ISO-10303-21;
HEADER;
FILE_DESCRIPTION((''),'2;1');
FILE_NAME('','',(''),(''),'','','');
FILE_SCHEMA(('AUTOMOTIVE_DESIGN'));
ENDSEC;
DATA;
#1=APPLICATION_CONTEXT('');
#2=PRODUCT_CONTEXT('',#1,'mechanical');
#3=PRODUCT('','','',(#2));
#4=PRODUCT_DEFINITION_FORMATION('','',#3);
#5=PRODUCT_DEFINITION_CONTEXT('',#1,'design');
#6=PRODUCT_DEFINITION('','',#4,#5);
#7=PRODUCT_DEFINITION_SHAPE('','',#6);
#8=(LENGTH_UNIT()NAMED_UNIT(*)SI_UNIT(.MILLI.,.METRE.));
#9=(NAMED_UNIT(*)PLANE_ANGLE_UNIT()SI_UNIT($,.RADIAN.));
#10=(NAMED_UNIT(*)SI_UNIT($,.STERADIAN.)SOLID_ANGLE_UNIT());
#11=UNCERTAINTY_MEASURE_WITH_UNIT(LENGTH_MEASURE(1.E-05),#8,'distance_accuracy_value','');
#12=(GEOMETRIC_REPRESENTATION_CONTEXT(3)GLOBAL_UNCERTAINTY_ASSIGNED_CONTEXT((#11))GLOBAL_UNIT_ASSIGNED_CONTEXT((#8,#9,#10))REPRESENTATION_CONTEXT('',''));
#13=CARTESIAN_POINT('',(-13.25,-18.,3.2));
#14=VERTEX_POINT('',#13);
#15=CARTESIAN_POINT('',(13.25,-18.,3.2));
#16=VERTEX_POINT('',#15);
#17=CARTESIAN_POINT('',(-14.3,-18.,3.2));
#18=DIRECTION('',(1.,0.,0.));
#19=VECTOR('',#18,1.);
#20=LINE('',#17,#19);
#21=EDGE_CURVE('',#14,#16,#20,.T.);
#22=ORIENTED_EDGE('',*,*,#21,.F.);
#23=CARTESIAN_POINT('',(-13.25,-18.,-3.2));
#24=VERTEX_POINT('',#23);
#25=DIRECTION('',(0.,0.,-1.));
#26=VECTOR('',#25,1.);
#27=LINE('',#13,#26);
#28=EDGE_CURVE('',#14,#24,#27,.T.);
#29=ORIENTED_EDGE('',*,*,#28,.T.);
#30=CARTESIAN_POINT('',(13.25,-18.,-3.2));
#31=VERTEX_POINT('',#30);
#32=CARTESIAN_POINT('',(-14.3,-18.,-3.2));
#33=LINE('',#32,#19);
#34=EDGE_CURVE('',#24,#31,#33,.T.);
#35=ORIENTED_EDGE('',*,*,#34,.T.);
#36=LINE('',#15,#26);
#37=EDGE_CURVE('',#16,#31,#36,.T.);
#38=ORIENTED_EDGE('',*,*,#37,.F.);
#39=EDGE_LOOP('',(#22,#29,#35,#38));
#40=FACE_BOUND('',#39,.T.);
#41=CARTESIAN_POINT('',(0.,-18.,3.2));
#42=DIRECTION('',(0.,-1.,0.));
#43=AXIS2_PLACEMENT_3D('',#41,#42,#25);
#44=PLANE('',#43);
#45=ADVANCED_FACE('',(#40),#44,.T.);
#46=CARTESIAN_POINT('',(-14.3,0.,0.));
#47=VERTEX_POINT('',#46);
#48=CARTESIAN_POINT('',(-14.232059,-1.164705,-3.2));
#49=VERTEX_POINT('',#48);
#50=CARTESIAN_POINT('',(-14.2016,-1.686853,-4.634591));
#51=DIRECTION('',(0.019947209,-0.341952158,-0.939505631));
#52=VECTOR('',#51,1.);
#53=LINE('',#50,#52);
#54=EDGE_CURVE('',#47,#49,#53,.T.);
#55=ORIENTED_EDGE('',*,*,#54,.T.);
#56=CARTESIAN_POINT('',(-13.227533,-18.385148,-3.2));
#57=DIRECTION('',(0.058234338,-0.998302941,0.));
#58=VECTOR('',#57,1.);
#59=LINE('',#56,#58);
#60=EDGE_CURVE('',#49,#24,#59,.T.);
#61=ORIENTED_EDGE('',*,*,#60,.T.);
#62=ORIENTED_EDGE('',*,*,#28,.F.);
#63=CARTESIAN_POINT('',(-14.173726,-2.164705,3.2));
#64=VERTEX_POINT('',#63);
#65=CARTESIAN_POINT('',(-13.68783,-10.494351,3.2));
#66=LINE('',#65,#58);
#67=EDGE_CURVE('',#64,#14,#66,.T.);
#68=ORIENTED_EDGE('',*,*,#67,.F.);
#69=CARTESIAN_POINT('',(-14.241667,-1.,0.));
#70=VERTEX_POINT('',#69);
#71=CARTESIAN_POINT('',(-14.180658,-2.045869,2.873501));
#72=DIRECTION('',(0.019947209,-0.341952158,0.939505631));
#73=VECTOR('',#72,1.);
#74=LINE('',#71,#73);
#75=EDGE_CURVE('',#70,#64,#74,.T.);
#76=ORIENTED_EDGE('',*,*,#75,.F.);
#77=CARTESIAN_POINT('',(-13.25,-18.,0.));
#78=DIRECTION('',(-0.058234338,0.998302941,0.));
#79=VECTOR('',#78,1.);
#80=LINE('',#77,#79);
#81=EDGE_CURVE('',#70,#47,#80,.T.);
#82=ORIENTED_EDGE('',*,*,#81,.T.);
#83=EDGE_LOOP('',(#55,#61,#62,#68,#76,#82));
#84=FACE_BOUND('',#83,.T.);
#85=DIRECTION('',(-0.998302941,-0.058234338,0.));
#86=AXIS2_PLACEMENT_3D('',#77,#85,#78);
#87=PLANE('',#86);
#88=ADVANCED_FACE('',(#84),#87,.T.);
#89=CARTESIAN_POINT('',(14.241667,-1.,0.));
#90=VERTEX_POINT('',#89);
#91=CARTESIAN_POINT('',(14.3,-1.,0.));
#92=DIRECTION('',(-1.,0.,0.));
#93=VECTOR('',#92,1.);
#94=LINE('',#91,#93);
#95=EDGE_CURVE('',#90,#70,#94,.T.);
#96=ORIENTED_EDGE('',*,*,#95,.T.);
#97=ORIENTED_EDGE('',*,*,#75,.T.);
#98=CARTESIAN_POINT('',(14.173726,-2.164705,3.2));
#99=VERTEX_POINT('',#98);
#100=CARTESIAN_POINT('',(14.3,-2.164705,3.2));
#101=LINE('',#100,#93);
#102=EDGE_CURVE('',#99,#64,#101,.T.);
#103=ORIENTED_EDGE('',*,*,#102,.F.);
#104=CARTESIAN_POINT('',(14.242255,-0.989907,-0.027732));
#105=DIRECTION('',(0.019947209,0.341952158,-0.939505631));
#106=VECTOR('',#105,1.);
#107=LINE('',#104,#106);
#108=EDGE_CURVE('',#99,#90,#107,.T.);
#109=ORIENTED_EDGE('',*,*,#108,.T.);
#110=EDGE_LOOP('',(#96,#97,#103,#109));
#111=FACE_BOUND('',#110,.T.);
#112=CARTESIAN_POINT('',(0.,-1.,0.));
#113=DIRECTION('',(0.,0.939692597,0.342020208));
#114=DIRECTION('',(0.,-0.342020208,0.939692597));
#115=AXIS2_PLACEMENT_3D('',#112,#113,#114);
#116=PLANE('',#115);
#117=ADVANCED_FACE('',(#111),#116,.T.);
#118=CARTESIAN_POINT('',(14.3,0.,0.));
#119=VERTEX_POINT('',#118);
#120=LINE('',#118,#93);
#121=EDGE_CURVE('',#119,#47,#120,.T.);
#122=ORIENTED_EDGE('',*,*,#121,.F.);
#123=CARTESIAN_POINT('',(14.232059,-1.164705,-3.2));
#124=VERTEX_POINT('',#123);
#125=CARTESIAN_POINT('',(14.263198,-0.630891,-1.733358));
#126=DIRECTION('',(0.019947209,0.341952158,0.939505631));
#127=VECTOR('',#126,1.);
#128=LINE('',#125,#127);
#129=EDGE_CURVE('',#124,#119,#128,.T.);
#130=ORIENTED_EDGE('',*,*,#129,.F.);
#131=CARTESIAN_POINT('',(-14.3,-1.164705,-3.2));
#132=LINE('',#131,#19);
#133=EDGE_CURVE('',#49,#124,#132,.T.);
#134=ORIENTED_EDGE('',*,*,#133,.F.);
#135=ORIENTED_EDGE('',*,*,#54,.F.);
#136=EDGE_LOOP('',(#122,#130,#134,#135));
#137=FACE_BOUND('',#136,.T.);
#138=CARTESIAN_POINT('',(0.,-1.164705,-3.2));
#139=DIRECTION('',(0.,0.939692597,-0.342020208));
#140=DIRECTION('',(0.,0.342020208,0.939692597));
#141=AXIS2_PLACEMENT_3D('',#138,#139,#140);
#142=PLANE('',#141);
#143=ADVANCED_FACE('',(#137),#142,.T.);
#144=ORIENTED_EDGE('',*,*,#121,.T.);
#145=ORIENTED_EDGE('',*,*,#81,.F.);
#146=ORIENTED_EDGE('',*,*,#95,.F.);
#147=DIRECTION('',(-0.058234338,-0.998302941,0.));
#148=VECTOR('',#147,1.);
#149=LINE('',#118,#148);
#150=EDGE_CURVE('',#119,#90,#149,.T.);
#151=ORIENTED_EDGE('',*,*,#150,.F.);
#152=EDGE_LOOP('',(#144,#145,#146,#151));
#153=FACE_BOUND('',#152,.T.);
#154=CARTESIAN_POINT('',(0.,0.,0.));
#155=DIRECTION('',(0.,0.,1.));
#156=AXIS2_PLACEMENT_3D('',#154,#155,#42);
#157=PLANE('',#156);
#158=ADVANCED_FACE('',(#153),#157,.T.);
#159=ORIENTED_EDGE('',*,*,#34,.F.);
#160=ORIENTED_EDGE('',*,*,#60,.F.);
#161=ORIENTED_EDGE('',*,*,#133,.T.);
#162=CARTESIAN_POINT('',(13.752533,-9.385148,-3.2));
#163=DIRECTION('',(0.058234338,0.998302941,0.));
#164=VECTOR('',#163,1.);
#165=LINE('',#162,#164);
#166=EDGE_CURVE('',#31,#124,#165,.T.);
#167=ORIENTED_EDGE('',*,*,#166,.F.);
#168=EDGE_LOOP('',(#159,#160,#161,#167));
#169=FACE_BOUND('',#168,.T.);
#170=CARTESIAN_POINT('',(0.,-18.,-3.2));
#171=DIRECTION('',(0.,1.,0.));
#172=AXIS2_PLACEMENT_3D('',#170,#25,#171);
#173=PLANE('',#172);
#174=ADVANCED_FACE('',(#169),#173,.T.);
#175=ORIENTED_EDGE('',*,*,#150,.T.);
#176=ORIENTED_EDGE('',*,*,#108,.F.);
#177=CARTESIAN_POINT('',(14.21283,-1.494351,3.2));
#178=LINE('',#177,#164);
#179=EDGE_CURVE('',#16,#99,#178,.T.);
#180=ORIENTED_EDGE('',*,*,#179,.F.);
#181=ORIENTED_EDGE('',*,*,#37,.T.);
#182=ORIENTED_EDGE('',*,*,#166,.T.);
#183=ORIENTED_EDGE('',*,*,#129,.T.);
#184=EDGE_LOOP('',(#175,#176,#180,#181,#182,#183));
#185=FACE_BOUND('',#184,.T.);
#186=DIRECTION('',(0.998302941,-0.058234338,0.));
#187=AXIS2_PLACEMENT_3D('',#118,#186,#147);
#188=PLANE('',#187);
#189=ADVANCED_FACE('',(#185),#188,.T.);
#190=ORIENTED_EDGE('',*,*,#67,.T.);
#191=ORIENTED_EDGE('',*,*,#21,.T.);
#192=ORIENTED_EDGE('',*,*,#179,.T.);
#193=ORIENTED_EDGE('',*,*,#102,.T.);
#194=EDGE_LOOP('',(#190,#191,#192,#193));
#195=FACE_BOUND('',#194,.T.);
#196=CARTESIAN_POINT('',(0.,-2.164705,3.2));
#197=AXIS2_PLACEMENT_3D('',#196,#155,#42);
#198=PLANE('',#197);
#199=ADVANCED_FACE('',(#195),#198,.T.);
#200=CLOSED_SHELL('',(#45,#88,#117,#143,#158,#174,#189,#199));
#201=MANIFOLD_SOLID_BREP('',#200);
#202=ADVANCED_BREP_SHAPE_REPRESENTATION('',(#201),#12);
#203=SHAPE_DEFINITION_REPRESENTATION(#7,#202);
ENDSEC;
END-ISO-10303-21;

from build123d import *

# Parameters (mm, degrees)
F1_DEPTH      = 14.3
F1_DEPTH_BACK = 14.3
F3_DEPTH      = 25
F3_DEPTH_BACK = 25


with BuildPart() as f1:
    # F0 (on Right) → F1 (new body, two sides)
    with BuildSketch(Plane.YZ) as f1_sk:
        Polygon((-2.164705, 3.2), (-18, 3.2), (-18, -3.2), (-1.164705, -3.2), (0, 0), (-1, 0), align=None)
    extrude(amount=F1_DEPTH)
    extrude(f1_sk.sketch, amount=-F1_DEPTH_BACK)

    # F2 (on Top) → F3 (cut, two sides)
    with BuildSketch(Plane.XY) as f3_sk:
        Polygon((-13.25, -18), (-14.3, 0), (-17.080702, 0), (-17.080702, -21.785066), (17.080702, -21.785066), (17.080702, 0), (14.3, 0), (13.25, -18), align=None)
    extrude(amount=F3_DEPTH, mode=Mode.SUBTRACT)
    extrude(f3_sk.sketch, amount=-F3_DEPTH_BACK, mode=Mode.SUBTRACT)


solid = f1.part
